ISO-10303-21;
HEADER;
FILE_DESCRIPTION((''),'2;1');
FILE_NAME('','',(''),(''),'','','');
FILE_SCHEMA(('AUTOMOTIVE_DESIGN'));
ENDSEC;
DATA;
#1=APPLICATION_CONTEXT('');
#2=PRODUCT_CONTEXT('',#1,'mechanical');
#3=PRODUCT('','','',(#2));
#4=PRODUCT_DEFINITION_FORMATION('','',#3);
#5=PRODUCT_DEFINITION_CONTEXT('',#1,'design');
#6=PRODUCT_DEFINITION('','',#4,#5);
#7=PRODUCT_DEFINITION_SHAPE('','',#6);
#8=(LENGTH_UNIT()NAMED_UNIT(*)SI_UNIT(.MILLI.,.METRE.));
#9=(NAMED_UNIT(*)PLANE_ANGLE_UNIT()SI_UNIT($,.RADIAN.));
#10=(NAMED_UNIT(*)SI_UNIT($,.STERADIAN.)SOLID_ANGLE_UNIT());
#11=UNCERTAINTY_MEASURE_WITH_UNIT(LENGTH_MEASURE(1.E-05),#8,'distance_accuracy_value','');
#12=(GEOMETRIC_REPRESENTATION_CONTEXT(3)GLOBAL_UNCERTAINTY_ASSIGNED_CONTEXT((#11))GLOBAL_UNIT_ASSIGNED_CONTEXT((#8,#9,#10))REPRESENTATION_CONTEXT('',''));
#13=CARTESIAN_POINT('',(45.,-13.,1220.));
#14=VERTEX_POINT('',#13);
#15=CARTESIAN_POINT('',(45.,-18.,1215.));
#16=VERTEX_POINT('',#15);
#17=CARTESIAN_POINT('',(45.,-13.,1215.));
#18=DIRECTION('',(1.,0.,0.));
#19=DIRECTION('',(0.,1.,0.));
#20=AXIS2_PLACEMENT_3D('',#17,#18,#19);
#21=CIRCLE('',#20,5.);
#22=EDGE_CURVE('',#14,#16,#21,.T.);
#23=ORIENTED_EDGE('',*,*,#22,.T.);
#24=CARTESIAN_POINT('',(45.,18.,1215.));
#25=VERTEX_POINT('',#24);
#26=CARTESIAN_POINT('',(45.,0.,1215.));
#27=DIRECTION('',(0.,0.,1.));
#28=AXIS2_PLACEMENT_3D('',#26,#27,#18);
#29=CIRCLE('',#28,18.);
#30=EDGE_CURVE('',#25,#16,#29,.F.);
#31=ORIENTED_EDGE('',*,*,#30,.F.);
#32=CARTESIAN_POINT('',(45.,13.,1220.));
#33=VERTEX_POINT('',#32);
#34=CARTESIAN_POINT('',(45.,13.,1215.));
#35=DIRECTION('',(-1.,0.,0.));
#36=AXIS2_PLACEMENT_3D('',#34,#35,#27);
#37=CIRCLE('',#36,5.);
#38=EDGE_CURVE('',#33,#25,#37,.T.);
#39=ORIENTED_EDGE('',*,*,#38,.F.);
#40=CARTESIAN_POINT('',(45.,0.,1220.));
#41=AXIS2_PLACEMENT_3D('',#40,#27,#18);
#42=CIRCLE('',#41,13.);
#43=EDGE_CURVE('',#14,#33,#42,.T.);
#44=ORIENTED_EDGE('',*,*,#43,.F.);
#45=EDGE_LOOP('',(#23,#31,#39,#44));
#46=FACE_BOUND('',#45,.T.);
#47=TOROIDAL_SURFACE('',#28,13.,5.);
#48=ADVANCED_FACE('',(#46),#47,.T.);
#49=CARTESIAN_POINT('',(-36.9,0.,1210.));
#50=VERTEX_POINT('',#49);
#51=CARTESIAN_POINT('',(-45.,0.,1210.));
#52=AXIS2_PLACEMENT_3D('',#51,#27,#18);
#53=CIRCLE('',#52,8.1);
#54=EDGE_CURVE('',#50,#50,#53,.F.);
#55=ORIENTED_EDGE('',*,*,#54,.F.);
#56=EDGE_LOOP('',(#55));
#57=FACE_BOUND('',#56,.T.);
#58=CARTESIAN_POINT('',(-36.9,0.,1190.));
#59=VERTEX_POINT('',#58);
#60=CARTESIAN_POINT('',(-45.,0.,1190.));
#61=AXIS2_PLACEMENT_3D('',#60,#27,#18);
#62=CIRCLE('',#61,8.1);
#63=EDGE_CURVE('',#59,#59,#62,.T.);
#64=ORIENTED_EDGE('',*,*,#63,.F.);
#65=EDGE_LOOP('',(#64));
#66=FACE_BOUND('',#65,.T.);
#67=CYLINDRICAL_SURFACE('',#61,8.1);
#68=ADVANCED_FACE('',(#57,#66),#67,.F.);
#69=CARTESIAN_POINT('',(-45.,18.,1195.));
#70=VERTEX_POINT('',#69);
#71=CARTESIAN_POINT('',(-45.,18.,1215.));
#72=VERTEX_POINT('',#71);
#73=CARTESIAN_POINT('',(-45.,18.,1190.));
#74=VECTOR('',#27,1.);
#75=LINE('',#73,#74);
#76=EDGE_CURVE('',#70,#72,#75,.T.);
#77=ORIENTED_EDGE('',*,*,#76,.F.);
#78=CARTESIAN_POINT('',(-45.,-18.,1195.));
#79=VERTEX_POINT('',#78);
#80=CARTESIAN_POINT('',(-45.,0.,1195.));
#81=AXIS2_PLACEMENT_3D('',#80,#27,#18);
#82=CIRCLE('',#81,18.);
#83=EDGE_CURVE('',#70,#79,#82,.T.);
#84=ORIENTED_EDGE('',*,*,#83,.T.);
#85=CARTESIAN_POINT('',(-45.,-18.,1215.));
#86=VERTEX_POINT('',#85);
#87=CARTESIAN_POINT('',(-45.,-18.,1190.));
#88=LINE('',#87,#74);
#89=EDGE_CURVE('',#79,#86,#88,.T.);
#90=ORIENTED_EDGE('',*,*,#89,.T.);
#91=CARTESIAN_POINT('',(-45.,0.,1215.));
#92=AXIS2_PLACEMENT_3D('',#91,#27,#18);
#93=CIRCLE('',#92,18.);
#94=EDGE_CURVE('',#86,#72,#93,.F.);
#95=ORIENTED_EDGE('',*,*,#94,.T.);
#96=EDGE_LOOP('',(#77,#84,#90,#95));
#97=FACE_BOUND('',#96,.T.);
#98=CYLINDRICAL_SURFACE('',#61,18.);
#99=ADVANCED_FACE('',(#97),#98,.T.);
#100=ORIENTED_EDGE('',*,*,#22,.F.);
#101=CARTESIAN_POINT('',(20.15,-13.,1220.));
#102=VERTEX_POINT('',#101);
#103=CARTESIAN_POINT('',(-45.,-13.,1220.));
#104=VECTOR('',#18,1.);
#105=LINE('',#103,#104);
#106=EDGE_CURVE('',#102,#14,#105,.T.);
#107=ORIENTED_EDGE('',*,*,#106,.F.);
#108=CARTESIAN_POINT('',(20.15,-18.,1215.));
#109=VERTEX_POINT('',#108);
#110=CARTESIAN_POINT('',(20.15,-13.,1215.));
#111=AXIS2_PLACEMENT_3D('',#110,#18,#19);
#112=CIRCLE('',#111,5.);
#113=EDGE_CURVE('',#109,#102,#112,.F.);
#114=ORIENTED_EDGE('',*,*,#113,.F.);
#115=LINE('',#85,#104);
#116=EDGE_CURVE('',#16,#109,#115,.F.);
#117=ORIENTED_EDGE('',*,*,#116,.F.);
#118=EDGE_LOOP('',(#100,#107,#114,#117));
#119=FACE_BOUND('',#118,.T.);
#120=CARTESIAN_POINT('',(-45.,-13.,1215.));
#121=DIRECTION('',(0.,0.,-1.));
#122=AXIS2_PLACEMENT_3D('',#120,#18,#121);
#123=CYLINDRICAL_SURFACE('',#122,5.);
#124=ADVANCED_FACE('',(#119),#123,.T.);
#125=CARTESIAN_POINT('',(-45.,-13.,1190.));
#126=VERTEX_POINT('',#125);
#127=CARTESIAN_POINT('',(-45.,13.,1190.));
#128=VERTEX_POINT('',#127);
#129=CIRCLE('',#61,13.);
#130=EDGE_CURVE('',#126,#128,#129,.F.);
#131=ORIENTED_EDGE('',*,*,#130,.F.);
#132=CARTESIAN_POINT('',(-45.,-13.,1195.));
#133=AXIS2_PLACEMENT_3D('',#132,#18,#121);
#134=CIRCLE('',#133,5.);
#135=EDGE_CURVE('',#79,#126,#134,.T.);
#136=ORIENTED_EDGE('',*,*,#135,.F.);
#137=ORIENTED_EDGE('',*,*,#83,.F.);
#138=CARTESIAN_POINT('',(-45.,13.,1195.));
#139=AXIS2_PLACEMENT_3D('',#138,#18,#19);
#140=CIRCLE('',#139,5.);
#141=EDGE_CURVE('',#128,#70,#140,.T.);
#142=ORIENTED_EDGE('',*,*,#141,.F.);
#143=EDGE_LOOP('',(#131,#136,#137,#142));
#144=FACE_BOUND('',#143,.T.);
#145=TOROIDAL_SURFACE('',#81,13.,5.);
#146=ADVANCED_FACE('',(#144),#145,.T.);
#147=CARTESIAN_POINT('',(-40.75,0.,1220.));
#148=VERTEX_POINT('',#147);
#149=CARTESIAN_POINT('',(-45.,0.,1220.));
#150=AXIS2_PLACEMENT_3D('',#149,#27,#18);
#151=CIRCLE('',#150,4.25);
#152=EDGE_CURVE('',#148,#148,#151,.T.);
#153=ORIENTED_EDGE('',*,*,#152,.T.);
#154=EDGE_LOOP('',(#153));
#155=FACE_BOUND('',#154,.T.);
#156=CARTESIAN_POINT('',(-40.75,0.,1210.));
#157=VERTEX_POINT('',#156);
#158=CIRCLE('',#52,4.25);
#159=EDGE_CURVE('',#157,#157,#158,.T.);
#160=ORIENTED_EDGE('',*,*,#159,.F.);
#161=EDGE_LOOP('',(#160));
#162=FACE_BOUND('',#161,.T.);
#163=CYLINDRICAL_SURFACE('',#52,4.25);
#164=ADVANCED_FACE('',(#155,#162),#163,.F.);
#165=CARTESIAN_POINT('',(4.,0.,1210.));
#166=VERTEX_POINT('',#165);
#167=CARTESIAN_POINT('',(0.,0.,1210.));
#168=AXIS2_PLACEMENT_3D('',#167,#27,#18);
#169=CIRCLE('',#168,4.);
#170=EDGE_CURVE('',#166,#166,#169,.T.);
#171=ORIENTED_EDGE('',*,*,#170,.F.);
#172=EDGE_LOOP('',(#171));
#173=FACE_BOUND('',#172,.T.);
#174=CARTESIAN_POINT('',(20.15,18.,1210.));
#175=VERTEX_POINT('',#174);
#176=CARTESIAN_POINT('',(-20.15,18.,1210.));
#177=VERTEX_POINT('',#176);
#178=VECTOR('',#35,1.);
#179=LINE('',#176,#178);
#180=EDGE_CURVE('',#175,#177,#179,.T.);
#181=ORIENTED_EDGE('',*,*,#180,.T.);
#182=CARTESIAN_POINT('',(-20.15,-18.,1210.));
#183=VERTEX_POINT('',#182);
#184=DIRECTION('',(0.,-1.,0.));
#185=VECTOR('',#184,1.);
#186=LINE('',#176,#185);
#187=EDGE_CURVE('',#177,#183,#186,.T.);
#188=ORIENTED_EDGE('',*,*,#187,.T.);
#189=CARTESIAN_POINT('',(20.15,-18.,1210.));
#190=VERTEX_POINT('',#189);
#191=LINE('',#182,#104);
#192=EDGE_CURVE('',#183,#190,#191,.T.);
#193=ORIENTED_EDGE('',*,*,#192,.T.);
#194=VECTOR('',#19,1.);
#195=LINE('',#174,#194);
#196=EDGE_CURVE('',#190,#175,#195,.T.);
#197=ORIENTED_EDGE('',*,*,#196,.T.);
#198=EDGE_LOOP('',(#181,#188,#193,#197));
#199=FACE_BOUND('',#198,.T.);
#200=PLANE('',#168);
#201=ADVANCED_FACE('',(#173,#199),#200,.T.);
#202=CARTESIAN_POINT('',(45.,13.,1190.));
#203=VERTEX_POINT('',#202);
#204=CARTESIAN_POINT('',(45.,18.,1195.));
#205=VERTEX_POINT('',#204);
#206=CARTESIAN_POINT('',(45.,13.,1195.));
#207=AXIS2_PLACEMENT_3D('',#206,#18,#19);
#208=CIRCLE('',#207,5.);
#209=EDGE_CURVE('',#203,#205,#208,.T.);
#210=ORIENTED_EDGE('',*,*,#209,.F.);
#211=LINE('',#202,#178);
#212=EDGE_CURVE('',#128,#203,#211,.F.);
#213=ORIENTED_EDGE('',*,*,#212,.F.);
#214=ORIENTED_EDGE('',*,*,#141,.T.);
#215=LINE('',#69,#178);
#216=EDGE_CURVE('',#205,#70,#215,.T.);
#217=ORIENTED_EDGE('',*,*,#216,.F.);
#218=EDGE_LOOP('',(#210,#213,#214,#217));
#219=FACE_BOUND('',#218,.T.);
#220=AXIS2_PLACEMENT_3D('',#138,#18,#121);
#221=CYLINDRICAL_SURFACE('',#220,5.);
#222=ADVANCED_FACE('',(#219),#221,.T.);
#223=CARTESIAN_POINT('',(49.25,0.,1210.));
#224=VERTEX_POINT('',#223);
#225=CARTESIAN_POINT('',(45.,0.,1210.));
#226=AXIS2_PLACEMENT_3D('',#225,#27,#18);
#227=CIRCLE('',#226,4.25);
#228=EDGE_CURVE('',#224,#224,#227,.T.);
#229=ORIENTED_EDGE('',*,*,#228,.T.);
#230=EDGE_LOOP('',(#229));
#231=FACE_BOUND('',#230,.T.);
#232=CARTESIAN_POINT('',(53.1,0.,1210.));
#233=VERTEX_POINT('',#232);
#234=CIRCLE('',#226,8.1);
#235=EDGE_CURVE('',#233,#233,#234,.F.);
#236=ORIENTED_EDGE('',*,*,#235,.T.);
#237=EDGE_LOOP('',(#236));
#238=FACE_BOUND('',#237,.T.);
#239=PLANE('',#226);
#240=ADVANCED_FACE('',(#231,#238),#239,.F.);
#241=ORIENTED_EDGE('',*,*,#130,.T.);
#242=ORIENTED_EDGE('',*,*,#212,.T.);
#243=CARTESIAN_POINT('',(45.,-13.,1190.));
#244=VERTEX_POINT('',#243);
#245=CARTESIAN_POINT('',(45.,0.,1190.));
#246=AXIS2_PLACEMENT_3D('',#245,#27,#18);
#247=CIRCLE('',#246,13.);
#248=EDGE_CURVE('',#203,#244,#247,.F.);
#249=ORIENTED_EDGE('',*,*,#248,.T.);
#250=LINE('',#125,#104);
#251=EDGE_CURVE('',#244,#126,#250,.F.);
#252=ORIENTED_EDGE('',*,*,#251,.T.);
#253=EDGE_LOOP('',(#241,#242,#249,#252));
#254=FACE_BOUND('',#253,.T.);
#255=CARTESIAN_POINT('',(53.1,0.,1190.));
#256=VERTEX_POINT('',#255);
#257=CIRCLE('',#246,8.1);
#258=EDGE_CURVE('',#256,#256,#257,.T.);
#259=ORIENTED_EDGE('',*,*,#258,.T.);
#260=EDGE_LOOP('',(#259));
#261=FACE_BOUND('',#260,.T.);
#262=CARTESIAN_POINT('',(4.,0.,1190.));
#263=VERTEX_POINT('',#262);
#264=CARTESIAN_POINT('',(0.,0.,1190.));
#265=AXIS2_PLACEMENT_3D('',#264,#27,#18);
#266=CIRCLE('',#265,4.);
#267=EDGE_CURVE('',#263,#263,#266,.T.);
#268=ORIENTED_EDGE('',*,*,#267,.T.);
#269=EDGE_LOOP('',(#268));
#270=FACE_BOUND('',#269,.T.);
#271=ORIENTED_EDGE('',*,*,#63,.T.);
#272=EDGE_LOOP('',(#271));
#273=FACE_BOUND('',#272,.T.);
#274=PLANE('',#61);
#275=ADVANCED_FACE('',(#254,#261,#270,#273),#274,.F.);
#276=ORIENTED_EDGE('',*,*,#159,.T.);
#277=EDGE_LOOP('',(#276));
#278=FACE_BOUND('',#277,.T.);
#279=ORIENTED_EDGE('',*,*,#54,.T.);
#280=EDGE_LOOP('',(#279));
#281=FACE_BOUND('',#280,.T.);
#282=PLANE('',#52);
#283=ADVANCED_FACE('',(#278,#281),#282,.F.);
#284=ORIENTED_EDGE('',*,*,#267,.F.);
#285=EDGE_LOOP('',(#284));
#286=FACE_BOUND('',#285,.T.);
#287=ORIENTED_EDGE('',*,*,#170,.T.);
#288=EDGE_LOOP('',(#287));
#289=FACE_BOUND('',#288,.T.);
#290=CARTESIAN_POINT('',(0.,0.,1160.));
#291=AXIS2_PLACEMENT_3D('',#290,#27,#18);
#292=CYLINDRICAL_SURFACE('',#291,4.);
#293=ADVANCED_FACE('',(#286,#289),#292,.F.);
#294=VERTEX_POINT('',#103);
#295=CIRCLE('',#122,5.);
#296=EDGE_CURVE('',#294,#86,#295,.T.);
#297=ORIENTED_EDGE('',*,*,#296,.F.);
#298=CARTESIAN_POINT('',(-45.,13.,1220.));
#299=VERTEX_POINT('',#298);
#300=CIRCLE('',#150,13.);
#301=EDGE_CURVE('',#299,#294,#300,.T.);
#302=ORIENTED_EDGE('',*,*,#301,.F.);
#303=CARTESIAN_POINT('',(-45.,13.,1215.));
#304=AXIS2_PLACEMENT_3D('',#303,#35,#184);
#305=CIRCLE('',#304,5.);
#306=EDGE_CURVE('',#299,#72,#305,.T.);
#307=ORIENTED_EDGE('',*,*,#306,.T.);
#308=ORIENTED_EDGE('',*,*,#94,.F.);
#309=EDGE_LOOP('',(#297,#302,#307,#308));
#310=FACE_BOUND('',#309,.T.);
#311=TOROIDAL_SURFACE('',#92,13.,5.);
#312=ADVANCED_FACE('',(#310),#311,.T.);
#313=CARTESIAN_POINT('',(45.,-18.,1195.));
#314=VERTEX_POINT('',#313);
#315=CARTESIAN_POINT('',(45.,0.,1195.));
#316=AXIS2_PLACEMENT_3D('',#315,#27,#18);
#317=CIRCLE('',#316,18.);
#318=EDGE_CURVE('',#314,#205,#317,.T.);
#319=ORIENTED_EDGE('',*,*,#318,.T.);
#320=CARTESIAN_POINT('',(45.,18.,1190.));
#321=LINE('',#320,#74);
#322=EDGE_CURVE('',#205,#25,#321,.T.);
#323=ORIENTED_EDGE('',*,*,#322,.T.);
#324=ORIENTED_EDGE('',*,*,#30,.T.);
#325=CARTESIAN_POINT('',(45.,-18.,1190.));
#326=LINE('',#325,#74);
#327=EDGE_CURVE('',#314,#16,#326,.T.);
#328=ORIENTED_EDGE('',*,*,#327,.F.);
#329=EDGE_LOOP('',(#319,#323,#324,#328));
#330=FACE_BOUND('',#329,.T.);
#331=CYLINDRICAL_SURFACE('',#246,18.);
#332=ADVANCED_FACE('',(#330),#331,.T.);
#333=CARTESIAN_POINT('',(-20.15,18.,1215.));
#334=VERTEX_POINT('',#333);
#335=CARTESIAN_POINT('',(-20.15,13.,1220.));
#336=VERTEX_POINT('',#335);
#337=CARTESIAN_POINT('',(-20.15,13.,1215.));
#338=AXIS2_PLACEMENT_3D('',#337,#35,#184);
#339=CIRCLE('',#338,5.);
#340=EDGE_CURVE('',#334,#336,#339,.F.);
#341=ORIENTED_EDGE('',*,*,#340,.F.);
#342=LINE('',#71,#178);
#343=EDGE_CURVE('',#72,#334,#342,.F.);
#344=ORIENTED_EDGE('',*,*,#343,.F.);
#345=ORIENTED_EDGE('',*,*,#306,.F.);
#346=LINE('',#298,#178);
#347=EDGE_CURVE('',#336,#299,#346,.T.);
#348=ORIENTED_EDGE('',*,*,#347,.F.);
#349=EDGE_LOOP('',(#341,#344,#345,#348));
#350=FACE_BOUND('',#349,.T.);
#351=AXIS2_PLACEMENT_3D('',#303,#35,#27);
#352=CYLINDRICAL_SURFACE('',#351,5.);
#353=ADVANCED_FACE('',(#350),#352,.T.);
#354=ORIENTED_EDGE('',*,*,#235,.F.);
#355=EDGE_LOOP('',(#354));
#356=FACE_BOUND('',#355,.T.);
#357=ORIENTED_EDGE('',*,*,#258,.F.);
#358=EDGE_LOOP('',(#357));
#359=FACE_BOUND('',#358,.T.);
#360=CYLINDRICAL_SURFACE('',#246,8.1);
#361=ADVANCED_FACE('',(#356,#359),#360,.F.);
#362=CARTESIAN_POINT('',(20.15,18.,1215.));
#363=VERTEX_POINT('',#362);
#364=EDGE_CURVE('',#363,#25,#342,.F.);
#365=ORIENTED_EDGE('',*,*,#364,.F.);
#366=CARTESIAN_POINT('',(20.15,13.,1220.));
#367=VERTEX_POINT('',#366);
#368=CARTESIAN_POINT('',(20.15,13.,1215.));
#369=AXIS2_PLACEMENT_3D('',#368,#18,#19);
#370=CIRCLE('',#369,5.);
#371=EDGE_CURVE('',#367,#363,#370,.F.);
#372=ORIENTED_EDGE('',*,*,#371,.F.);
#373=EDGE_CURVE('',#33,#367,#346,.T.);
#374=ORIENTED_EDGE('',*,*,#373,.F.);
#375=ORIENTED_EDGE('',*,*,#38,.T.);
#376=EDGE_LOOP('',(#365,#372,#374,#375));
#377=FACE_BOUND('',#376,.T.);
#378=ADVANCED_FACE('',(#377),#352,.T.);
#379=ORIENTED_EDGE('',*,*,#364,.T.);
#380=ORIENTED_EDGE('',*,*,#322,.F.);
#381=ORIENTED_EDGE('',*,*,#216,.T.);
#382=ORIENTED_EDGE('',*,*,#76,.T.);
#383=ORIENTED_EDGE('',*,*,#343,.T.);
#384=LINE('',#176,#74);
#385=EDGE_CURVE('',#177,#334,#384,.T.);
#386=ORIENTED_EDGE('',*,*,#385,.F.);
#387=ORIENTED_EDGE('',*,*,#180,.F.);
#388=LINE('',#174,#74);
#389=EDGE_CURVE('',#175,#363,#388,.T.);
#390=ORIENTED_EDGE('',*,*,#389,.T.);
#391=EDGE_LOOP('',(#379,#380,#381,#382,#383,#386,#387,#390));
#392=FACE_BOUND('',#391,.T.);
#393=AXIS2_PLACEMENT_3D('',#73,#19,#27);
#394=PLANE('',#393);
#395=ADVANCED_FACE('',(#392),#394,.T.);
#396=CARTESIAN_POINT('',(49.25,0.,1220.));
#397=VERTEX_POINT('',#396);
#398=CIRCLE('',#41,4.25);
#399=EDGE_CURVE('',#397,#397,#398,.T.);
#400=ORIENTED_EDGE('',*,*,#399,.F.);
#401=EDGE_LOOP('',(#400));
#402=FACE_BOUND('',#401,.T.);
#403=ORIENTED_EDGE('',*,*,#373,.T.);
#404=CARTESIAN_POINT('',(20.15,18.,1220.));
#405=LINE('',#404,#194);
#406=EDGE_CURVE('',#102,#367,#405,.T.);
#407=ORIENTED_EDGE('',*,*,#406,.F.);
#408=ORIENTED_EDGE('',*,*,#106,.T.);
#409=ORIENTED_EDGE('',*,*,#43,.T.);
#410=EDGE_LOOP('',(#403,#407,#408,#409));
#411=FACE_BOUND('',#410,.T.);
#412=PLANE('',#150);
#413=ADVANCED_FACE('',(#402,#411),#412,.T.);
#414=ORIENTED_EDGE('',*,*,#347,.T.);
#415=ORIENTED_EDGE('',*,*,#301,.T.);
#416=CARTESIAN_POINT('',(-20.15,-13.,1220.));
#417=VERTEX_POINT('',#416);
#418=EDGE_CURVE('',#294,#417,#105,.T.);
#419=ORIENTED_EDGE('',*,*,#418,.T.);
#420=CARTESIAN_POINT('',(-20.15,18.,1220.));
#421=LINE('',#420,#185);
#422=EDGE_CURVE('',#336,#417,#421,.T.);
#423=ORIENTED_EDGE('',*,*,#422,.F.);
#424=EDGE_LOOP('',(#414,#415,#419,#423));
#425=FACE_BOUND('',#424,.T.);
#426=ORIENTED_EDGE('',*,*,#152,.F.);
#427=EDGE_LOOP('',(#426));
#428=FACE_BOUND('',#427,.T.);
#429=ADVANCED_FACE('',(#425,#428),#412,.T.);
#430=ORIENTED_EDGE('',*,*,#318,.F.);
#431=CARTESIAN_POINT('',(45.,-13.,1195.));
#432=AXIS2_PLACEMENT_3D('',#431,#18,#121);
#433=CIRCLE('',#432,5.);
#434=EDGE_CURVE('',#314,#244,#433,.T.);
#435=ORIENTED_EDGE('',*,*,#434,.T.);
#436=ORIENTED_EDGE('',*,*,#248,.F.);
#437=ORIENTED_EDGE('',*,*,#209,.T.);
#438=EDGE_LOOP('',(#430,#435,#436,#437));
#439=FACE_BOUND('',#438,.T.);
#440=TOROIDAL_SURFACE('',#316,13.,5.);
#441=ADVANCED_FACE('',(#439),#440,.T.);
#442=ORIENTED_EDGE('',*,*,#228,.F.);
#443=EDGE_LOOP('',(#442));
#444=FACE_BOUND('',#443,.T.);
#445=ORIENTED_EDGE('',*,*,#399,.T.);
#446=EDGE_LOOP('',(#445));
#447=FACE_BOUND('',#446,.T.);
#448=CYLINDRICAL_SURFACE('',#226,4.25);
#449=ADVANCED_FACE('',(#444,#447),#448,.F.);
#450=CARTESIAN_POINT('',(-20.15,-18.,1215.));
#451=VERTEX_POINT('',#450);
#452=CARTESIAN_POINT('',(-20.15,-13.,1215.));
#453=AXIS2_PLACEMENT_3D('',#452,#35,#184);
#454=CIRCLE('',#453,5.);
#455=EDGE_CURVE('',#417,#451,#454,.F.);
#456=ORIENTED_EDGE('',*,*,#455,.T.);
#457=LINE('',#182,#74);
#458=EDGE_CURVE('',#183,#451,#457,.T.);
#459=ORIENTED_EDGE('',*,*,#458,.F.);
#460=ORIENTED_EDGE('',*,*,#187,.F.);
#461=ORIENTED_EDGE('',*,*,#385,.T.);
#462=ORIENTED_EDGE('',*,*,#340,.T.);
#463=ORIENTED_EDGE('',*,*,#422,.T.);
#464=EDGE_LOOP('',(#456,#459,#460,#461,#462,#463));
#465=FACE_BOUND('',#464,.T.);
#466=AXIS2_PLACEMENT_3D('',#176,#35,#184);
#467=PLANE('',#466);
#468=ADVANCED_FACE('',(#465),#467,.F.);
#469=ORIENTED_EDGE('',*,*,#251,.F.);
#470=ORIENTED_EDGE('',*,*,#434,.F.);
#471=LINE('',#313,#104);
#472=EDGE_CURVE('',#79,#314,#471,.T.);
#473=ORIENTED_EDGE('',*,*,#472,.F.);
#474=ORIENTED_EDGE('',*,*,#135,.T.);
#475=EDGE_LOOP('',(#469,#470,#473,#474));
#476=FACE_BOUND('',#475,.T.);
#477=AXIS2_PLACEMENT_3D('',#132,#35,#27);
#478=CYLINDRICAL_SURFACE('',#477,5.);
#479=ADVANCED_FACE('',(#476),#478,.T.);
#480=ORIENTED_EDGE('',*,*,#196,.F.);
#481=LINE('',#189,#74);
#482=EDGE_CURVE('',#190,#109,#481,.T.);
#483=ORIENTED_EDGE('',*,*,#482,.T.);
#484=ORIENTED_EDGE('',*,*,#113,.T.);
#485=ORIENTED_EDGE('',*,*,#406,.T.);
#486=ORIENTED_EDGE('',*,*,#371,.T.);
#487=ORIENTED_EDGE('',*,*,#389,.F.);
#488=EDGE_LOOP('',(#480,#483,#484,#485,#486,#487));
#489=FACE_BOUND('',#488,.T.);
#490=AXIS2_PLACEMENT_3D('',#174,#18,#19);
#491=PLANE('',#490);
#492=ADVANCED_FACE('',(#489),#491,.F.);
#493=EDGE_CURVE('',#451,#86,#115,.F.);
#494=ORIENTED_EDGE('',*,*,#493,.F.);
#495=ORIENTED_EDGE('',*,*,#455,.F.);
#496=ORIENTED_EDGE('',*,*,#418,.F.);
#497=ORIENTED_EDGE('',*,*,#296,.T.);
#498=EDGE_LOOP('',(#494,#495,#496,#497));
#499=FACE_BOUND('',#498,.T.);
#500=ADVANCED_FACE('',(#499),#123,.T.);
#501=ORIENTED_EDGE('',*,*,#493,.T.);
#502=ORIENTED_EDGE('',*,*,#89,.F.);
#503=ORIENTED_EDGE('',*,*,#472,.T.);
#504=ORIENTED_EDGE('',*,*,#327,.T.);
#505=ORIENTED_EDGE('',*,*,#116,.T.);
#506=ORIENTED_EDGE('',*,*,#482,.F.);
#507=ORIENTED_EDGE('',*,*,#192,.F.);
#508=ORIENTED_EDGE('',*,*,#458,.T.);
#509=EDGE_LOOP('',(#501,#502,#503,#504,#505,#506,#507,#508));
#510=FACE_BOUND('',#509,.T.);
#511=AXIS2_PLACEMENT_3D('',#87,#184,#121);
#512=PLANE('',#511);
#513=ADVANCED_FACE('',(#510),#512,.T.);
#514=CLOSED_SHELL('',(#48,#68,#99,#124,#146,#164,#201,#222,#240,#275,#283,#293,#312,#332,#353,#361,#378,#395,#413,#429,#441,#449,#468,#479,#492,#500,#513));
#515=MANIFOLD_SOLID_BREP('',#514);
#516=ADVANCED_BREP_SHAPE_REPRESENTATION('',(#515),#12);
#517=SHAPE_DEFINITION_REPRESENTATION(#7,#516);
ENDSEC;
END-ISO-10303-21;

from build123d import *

# Parameters (mm, degrees)
BOSS_EXTRUDE1_START = 1220
SKETCH1_R           = 8.1
BOSS_EXTRUDE1_DEPTH = 30
SKETCH3_R           = 8.1
SKETCH3_R_2         = 4.25
BOSS_EXTRUDE2_DEPTH = 10
SKETCH4_W           = 40.3
SKETCH4_H           = 36
CUT_EXTRUDE1_DEPTH  = 10
FILLET1_R           = 5
FILLET2_R           = 5
SKETCH5_R           = 4
CUT_EXTRUDE2_DEPTH  = 50


with BuildPart() as part:
    # Sketch1 → Boss-Extrude1 (new body)
    with BuildSketch(Plane.XY.offset(BOSS_EXTRUDE1_START)):
        with BuildLine():
            Line((-45, 18), (45, 18))
            ThreePointArc((45, 18), (63, 0), (45, -18))
            Line((45, -18), (-45, -18))
            ThreePointArc((-45, -18), (-63, 0), (-45, 18))
        make_face()
        with Locations((-45, 0)):
            Circle(SKETCH1_R, mode=Mode.SUBTRACT)
        with Locations((45, 0)):
            Circle(SKETCH1_R, mode=Mode.SUBTRACT)
    extrude(amount=-BOSS_EXTRUDE1_DEPTH)

    # Sketch3 → Boss-Extrude2 (add)
    # profile 1 of 2: a face of its own
    with BuildSketch(Plane.XY.offset(1220)):
        with Locations((45, 0)):
            Circle(SKETCH3_R)
        with Locations((45, 0)):
            Circle(SKETCH3_R_2, mode=Mode.SUBTRACT)
    # profile 2 of 2: a face of its own
    with BuildSketch(Plane.XY.offset(1220)):
        with Locations((-45, 0)):
            Circle(SKETCH3_R)
        with Locations((-45, 0)):
            Circle(SKETCH3_R_2, mode=Mode.SUBTRACT)
    extrude(amount=-BOSS_EXTRUDE2_DEPTH)

    # Sketch4 → Cut-Extrude1 (cut)
    with BuildSketch(Plane.XY.offset(1220)):
        Rectangle(SKETCH4_W, SKETCH4_H)
    extrude(amount=-CUT_EXTRUDE1_DEPTH, mode=Mode.SUBTRACT)

    # Fillet1
    fillet1_edges = [part.edges().sort_by_distance(p)[0] for p in [
        (63, 0, 1190),
        (0, 18, 1190),
        (-63, 0, 1190),
        (0, -18, 1190),
    ]]
    fillet(fillet1_edges, radius=FILLET1_R)

    # Fillet2
    fillet2_edges = [part.edges().sort_by_distance(p)[0] for p in [
        (32.575, -18, 1220),
        (-32.575, 18, 1220),
        (32.575, 18, 1220),
        (63, 0, 1220),
        (-32.575, -18, 1220),
        (-63, 0, 1220),
    ]]
    fillet(fillet2_edges, radius=FILLET2_R)

    # Sketch5 → Cut-Extrude2 (cut)
    with BuildSketch(Plane.XY.offset(1210)):
        Circle(SKETCH5_R)
    extrude(amount=-CUT_EXTRUDE2_DEPTH, mode=Mode.SUBTRACT)


solid = part.part
